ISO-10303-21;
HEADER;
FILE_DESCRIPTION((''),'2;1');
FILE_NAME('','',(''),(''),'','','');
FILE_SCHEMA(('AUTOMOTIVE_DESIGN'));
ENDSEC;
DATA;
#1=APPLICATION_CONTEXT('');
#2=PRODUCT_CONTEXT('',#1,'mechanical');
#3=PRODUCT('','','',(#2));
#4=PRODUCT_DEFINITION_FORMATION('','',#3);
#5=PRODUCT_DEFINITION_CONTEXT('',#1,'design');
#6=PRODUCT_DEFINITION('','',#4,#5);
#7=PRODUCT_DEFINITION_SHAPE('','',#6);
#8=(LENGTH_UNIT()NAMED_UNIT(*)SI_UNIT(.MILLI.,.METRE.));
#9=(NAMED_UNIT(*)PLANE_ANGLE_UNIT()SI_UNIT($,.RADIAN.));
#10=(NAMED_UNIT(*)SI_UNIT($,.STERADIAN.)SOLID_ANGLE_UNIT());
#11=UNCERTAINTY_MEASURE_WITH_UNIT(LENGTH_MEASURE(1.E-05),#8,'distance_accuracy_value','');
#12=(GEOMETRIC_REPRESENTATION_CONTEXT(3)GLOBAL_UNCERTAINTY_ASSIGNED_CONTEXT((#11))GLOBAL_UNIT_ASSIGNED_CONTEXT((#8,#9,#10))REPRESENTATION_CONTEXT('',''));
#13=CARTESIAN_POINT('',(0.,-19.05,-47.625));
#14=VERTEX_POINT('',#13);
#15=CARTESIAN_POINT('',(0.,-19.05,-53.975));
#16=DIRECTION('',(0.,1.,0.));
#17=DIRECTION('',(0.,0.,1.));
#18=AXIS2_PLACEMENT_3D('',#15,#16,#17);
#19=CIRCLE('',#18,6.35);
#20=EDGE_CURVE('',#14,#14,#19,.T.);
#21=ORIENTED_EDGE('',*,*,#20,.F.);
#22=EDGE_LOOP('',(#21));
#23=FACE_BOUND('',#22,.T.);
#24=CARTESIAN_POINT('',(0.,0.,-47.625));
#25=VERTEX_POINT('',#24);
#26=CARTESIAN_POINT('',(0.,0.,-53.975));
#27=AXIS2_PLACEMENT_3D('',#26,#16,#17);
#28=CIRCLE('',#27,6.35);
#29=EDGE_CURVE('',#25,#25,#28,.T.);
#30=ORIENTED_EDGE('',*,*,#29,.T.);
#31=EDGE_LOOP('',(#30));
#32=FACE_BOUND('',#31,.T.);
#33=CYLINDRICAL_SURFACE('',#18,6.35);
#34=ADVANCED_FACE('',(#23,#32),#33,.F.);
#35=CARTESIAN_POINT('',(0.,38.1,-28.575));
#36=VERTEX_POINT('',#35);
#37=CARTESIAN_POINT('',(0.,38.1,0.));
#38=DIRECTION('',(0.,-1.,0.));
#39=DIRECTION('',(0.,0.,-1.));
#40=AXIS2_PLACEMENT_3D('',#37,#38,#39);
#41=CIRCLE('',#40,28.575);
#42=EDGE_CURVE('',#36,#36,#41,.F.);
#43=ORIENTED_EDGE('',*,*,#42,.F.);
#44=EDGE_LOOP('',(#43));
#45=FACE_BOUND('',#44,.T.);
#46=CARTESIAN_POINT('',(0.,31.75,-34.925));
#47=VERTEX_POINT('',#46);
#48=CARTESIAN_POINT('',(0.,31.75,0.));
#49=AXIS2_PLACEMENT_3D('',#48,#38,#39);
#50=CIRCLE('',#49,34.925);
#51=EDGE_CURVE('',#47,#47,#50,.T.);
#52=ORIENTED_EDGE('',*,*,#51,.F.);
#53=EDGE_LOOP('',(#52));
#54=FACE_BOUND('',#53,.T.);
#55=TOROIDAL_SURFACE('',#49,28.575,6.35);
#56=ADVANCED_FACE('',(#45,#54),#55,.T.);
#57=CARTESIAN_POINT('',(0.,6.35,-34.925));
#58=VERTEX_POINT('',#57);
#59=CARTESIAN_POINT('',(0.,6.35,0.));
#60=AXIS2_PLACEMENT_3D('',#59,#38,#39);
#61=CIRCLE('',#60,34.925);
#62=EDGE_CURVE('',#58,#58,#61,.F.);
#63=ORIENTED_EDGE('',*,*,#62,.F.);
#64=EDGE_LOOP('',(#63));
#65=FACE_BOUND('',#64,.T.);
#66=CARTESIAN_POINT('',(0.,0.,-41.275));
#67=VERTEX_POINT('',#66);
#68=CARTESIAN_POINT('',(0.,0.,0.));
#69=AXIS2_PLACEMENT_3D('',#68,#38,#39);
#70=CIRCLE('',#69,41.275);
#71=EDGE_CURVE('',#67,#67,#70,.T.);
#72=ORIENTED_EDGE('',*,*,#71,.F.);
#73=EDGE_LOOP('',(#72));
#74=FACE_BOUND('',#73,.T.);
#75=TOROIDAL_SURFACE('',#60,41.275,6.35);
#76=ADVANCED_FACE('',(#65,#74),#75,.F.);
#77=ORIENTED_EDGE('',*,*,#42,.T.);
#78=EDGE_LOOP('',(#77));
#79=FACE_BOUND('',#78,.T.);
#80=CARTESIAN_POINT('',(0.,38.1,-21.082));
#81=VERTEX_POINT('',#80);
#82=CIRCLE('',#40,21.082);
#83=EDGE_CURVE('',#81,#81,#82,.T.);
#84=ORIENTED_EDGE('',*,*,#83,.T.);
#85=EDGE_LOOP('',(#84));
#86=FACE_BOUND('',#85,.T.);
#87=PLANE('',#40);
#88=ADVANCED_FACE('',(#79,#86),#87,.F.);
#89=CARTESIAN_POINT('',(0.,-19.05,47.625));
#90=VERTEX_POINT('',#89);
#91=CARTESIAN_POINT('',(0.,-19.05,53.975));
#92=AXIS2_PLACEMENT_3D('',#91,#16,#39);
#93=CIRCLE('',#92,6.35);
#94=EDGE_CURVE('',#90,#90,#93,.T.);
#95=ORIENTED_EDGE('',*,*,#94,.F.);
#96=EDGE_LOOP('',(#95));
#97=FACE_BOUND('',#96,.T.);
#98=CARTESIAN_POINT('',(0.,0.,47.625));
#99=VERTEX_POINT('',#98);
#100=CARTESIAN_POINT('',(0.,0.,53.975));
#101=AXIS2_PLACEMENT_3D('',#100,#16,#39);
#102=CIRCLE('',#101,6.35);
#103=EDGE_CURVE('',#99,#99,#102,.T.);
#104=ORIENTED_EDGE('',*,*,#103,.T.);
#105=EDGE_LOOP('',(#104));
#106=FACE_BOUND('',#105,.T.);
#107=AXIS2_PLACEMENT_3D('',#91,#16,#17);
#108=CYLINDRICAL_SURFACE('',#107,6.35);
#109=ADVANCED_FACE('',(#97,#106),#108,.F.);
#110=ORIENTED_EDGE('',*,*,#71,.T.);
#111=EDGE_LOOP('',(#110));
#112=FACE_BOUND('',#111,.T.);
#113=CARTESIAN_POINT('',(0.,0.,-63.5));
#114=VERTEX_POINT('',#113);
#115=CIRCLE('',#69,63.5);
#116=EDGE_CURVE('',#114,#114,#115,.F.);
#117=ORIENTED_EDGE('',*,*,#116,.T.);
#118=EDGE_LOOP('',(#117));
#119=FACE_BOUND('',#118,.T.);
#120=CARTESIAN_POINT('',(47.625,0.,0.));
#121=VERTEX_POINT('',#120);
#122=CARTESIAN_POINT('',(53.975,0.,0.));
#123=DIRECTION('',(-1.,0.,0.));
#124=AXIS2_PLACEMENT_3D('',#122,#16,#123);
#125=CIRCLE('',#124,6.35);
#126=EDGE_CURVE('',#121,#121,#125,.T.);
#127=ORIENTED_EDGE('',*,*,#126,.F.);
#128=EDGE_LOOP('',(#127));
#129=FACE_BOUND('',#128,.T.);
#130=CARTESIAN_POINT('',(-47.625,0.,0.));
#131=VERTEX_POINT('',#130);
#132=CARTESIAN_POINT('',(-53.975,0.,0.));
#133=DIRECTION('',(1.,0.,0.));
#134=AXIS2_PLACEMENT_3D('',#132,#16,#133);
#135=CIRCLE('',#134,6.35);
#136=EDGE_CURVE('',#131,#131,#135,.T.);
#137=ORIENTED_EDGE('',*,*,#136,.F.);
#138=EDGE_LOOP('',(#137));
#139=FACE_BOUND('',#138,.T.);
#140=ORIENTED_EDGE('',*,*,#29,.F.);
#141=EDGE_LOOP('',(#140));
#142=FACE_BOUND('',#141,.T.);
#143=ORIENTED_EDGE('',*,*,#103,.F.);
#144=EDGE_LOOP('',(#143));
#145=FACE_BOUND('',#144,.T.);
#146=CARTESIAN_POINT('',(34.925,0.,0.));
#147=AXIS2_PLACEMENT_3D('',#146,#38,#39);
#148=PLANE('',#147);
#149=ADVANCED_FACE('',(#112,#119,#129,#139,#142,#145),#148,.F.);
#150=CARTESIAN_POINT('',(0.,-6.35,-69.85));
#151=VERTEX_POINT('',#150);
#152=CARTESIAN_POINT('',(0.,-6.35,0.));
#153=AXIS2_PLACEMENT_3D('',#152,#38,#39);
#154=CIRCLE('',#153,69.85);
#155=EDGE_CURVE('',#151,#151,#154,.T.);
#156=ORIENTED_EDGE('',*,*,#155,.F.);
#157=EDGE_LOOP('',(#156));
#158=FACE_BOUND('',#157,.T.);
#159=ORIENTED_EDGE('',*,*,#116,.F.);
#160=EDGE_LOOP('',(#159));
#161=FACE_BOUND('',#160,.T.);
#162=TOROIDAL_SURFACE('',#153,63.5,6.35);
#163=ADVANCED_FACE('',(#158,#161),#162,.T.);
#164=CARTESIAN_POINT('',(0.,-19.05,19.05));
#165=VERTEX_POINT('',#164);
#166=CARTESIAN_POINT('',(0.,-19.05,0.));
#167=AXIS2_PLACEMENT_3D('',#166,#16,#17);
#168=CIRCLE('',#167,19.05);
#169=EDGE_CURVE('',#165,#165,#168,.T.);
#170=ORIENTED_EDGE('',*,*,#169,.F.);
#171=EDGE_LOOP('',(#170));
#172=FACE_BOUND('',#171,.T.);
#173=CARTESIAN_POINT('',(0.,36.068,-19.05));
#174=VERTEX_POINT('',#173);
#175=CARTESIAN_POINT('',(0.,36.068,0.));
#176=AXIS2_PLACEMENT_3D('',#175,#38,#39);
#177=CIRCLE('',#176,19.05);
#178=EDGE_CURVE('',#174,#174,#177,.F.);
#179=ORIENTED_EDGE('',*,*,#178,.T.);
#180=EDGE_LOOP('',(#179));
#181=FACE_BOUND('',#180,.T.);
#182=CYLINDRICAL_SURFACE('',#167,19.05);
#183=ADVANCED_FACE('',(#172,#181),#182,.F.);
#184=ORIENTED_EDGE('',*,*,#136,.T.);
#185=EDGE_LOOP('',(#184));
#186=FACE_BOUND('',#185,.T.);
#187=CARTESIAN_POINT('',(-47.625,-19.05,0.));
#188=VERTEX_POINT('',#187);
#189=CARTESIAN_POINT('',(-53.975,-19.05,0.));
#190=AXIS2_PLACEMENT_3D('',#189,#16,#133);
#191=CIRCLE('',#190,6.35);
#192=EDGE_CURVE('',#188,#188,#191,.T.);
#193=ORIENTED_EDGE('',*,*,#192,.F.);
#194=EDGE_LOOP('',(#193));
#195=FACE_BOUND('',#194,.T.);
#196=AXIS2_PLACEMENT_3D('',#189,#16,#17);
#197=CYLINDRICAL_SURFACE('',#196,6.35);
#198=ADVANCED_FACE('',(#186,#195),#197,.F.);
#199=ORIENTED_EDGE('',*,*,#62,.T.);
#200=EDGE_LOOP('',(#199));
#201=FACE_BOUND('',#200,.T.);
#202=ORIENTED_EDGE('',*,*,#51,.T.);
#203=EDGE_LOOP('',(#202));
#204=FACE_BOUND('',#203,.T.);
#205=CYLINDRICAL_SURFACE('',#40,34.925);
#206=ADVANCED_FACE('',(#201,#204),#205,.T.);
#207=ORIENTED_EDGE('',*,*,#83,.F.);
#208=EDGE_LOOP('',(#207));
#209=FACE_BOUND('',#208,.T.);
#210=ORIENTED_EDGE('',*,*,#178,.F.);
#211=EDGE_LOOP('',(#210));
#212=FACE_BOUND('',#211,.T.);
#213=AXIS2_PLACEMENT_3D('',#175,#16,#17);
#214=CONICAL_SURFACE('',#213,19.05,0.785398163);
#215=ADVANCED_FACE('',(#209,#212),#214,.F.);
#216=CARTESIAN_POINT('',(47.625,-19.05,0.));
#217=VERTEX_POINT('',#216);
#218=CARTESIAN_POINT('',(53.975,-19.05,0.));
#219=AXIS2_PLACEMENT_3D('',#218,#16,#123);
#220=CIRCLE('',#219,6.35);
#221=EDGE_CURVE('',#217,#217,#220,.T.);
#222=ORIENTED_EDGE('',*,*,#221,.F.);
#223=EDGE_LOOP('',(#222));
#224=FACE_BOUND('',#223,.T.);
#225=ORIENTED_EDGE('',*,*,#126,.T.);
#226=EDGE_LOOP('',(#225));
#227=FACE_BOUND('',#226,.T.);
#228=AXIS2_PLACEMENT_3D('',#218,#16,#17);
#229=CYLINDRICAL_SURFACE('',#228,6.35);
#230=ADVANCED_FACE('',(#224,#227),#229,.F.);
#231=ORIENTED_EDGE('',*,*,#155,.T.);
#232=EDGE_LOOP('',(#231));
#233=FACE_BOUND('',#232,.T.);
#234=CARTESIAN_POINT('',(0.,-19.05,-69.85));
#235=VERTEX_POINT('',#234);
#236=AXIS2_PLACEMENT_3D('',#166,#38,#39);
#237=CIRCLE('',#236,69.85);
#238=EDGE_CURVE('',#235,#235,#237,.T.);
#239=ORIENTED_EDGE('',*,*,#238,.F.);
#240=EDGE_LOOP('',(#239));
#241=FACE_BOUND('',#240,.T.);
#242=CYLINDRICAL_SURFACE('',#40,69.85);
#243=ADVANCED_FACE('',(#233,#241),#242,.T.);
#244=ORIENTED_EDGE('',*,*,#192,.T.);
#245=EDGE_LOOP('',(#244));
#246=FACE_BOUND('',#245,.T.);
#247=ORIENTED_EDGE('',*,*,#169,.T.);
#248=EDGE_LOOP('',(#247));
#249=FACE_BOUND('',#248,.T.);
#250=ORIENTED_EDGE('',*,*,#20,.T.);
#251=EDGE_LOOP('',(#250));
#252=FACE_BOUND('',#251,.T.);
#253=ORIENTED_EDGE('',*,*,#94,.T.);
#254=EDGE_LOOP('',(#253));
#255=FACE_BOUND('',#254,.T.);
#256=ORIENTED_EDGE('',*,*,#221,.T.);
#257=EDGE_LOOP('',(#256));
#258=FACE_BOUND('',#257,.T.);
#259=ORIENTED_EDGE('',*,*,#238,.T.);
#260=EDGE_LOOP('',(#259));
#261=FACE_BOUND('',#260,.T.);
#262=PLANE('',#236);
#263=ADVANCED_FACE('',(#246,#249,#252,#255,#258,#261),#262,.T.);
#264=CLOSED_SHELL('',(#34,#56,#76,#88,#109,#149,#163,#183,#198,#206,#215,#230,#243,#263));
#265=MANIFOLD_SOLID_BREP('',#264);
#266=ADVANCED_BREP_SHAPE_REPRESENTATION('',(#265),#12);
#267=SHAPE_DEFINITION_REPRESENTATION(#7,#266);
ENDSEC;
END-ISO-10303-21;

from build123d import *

# Parameters (mm, degrees)
SKETCH8_R          = 19.05
CUT_EXTRUDE2_DEPTH = 115.123474798
SKETCH9_R          = 6.35
CUT_EXTRUDE3_DEPTH = 106.875658203
CIRPATTERN1_COUNT  = 4
FILLET1_R          = 6.35
CHAMFER1_SIZE      = 2.032


with BuildPart() as part:
    # Sketch7 → Revolve1 (revolve)
    with BuildSketch(Plane.XY, mode=Mode.PRIVATE) as revolve1_sk:
        Polygon((34.925, 0), (69.85, 0), (69.85, -19.05), (0, -19.05), (0, 0), (0, 38.1), (34.925, 38.1), align=None)
    revolve(revolve1_sk.sketch.rotate(Axis((0, 38.1, 0), (0, -1, 0)), 270), axis=Axis((0, 38.1, 0), (0, -1, 0)))

    # Sketch8 → Cut-Extrude2 (cut, through all)
    with BuildSketch(Plane(origin=(0, 38.1, 0), x_dir=(1, 0, 0), z_dir=(0, 1, 0))):
        with Locations(Location((0, 0, 0), (0, 0, 270))):
            Circle(SKETCH8_R)
    extrude(amount=-CUT_EXTRUDE2_DEPTH, mode=Mode.SUBTRACT)

    # Sketch9 → Cut-Extrude3 (cut, through all)
    with BuildSketch(Plane(origin=(0, 0, 0), x_dir=(1, 0, 0), z_dir=(0, 1, 0))):
        with Locations(Location((0, 53.975, 0), (0, 0, 270))):
            Circle(SKETCH9_R)
    cut_extrude3 = extrude(amount=-CUT_EXTRUDE3_DEPTH, mode=Mode.SUBTRACT)

    # CirPattern1: Cut-Extrude3 ×4 about axis
    cirpattern1_axis = Axis((0, 0, 0), (0, 1, 0))
    for i in range(1, CIRPATTERN1_COUNT):
        add(cut_extrude3.rotate(cirpattern1_axis, i * 360 / CIRPATTERN1_COUNT), mode=Mode.SUBTRACT)

    # Fillet1
    fillet1_edges = [part.edges().sort_by_distance(p)[0] for p in [
        (0, 38.1, 34.925),
        (0, 0, 34.925),
        (0, 0, 69.85),
    ]]
    fillet(fillet1_edges, radius=FILLET1_R)

    # Chamfer1
    chamfer1_edges = [part.edges().sort_by_distance(p)[0] for p in [
        (0, 38.1, -19.05),
    ]]
    chamfer(chamfer1_edges, length=CHAMFER1_SIZE)


solid = part.part
